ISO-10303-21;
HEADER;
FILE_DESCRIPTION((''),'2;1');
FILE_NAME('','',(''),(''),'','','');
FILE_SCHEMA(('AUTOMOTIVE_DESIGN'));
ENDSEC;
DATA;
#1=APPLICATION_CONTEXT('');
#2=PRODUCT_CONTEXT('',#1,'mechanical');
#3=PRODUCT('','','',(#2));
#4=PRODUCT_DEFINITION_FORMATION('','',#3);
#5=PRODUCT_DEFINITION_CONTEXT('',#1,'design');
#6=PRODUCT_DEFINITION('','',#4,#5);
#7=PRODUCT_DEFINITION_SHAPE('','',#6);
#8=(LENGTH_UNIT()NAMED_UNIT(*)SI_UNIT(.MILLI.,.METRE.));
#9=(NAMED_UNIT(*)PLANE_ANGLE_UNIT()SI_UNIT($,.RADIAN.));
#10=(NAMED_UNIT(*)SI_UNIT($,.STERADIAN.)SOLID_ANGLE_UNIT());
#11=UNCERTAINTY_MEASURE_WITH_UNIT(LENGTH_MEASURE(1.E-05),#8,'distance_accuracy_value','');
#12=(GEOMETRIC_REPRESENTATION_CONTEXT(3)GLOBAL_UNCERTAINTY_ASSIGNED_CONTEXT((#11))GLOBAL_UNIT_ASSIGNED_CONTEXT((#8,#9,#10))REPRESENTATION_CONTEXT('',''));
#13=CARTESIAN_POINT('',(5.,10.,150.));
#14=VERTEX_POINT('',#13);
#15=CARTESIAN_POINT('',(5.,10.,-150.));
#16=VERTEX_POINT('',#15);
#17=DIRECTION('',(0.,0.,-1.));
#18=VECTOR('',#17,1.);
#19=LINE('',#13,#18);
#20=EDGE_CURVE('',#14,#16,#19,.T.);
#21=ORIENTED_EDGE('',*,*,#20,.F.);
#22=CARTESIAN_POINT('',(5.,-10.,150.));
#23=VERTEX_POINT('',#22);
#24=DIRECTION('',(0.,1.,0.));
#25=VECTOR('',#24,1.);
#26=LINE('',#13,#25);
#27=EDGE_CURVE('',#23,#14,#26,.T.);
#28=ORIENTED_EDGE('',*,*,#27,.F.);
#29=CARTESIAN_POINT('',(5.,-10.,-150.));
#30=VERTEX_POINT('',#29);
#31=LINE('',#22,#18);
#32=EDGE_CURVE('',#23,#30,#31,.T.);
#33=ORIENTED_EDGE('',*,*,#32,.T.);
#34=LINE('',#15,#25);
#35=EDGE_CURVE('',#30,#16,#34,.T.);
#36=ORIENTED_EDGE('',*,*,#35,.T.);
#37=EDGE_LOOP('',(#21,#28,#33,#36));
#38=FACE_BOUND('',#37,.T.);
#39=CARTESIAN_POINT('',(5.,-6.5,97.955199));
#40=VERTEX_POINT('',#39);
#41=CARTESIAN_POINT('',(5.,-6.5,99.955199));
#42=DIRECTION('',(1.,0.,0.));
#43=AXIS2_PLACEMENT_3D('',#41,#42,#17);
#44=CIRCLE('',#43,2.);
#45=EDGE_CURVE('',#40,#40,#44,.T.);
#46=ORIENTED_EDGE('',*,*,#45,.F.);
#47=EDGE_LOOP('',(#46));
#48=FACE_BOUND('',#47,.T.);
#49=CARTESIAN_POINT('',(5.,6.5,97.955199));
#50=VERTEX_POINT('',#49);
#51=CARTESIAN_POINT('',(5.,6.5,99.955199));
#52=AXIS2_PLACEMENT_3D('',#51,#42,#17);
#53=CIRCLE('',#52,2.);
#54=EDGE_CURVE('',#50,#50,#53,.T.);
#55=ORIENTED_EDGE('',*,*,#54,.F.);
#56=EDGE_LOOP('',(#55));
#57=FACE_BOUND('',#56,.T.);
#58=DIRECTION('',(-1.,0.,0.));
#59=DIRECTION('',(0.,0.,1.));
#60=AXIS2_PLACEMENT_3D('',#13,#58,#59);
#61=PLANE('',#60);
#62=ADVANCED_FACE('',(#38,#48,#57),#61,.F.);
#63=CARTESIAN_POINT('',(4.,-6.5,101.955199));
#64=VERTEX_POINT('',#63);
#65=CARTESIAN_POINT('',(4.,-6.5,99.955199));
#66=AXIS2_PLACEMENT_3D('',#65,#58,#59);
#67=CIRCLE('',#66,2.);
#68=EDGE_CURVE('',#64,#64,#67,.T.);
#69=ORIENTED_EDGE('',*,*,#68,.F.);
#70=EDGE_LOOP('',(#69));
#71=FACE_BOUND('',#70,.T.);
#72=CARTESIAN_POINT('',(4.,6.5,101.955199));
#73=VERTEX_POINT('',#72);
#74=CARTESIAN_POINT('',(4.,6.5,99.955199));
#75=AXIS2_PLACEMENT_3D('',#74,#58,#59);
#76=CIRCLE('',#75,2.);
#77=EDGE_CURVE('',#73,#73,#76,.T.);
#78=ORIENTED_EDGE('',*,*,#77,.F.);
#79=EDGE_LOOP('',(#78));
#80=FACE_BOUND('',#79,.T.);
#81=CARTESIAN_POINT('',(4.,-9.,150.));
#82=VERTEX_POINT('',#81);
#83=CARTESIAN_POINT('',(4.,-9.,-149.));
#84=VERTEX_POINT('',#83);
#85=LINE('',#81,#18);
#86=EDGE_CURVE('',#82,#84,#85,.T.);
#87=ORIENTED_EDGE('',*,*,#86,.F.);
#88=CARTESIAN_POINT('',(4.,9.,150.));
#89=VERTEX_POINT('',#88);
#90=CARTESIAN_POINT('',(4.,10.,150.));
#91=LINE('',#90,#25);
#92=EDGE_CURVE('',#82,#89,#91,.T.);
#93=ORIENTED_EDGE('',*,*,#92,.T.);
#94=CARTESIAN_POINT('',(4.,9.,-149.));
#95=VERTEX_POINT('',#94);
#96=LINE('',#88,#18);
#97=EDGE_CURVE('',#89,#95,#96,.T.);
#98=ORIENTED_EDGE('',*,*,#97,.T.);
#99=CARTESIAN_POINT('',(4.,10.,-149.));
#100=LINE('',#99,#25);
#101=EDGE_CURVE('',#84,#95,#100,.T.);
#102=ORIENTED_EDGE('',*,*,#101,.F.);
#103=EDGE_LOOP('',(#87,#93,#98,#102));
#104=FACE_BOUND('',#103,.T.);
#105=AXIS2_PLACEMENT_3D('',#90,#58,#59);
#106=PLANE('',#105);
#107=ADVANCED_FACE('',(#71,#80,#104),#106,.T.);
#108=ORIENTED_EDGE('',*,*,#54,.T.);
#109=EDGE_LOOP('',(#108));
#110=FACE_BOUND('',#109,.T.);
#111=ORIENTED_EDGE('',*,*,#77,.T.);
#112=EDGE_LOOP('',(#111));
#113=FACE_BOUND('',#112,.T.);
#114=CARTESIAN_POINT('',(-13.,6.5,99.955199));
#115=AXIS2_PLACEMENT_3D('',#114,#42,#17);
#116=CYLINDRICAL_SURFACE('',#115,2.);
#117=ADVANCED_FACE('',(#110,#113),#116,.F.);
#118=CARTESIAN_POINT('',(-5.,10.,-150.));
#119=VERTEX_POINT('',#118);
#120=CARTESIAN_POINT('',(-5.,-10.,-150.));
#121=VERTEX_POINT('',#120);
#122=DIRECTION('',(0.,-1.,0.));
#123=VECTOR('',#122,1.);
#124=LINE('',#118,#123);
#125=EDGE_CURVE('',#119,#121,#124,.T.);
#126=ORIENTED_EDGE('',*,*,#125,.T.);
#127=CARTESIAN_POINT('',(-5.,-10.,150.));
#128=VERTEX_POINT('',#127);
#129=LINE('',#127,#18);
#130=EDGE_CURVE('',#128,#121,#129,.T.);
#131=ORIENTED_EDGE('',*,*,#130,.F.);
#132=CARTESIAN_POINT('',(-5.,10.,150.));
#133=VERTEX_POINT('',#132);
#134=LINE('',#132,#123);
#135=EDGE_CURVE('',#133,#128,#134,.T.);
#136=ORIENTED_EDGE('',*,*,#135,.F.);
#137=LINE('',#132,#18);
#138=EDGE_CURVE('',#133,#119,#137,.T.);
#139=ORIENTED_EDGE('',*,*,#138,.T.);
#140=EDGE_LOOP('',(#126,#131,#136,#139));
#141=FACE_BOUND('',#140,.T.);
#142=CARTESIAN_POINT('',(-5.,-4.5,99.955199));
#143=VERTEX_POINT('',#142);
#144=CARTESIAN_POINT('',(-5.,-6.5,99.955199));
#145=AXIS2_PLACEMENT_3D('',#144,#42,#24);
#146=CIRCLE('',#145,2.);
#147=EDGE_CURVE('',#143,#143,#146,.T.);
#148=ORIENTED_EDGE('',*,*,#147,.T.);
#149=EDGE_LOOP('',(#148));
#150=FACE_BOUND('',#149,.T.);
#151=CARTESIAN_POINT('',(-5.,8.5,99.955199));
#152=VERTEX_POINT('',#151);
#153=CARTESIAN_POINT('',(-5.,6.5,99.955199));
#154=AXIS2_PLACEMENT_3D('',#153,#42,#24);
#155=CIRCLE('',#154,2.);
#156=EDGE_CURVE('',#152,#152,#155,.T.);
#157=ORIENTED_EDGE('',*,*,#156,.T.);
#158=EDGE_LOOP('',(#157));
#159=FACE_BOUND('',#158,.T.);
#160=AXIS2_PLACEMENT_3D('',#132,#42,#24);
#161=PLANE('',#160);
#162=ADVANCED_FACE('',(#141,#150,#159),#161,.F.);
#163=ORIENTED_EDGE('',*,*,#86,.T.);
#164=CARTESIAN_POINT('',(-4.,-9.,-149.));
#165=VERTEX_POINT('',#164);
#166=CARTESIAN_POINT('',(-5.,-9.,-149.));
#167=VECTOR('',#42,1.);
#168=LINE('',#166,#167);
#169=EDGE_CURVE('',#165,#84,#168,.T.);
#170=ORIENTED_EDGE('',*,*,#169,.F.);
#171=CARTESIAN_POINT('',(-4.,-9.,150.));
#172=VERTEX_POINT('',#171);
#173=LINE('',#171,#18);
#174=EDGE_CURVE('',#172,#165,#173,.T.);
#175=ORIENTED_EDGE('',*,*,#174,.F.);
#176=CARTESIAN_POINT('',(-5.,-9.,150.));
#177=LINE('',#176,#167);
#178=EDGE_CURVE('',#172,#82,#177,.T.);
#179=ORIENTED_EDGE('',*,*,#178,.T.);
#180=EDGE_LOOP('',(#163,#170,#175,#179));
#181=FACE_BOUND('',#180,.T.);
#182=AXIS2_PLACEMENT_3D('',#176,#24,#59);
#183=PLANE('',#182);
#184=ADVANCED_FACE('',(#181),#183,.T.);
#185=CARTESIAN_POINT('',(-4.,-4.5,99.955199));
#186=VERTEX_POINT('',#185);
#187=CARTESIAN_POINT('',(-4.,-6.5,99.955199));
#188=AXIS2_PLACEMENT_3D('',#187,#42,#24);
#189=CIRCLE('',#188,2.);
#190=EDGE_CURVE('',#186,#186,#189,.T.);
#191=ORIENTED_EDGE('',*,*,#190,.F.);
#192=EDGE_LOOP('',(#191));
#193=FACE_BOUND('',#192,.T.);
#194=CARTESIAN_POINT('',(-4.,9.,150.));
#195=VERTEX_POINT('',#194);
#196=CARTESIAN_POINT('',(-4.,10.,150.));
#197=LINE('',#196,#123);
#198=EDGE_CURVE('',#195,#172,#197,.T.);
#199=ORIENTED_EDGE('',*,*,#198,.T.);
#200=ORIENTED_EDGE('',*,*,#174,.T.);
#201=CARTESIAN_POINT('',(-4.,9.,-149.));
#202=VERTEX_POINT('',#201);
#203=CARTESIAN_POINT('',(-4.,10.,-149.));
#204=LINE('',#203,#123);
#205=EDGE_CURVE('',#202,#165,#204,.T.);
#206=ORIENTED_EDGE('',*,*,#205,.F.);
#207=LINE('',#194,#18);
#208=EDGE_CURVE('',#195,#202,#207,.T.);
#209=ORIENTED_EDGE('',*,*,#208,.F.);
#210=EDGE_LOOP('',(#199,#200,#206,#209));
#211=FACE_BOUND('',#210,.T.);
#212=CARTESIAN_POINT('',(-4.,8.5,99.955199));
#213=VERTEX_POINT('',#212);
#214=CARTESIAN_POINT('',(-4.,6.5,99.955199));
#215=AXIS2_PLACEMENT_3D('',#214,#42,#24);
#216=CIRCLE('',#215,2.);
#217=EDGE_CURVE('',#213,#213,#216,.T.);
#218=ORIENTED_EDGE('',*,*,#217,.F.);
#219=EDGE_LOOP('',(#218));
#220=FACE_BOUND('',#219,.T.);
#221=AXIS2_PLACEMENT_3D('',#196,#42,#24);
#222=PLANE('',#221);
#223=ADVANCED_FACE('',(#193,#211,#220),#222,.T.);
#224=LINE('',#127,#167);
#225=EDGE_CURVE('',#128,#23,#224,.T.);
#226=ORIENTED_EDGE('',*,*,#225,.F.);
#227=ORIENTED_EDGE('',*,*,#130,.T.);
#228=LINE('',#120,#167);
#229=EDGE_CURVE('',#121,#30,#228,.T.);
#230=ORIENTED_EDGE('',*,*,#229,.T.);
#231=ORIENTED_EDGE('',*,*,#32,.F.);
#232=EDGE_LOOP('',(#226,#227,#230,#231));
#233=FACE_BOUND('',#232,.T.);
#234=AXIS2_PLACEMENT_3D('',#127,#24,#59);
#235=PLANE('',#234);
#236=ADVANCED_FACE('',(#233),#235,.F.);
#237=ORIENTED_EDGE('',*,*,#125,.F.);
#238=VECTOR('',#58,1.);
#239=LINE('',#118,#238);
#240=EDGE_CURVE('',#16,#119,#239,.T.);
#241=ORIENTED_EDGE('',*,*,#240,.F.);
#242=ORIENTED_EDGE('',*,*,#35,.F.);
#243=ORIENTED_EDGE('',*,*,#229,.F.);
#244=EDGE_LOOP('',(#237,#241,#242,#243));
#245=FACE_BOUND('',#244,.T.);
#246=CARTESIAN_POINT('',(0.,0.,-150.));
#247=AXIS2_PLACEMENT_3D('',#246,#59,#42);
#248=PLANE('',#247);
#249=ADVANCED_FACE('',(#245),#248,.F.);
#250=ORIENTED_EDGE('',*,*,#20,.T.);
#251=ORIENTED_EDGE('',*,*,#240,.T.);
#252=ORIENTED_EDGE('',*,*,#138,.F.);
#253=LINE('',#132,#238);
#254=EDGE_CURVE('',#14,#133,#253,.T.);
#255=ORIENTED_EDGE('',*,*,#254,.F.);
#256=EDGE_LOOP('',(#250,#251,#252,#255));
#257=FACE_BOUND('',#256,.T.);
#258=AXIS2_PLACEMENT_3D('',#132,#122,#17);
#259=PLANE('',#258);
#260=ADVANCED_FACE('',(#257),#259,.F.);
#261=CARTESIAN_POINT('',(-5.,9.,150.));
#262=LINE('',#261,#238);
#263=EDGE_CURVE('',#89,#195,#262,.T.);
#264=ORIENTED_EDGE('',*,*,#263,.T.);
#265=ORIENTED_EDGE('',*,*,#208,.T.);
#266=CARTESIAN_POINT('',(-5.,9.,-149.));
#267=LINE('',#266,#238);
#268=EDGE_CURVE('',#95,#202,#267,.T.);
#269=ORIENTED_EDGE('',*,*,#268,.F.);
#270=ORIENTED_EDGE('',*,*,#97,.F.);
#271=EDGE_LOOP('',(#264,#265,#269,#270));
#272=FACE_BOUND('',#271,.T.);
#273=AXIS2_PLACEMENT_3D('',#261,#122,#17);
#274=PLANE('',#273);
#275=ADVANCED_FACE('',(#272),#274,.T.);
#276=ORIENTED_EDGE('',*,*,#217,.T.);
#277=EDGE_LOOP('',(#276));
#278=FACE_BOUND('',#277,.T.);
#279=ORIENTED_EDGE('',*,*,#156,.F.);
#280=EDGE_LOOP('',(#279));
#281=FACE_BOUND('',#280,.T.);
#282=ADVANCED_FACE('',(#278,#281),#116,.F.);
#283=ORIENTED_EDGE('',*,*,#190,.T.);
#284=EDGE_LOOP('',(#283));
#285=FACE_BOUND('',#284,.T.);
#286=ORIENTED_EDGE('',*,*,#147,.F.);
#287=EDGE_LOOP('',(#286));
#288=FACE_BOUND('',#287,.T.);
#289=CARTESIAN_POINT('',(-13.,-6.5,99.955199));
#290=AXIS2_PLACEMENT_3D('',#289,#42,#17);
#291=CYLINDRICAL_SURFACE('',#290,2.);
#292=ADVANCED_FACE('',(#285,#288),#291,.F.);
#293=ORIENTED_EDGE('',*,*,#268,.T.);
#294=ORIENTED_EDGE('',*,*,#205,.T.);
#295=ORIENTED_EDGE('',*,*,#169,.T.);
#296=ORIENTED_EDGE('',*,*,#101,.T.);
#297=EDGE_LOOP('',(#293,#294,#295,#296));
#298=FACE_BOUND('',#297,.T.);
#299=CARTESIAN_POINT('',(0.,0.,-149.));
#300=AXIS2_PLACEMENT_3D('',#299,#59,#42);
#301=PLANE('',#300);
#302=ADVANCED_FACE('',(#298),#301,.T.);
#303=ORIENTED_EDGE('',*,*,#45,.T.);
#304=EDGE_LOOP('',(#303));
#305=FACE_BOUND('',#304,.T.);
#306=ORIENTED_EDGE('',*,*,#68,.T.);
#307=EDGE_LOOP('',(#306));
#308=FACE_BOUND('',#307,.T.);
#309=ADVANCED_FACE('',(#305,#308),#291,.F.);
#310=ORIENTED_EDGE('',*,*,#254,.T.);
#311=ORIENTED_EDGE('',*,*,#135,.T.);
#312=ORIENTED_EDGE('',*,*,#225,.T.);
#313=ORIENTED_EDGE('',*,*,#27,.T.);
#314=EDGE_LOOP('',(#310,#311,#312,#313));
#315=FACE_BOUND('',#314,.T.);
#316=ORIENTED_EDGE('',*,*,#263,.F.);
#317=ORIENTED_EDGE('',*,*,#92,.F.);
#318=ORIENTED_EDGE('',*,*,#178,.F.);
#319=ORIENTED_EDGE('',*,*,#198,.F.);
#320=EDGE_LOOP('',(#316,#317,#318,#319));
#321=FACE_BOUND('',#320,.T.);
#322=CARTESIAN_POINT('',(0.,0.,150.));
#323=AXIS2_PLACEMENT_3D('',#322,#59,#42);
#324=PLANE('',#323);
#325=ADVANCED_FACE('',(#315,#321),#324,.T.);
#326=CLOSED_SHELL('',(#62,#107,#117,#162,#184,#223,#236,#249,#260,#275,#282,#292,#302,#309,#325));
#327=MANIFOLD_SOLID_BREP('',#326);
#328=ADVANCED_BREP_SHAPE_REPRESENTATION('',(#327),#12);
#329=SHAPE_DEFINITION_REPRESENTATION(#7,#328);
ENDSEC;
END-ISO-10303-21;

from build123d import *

# Parameters (mm, degrees)
IZIM1_W                     = 10
IZIM1_H                     = 20
Y_KSEKLIK_EKSTR_ZYON1_DEPTH = 150
BO_ALTMA1_T                 = -1
IZIM4_R                     = 2
KES_EKSTR_ZYON3_DEPTH       = 18


with BuildPart() as part:
    # Çizim1 → Yükseklik-Ekstrüzyon1 (new, symmetric)
    with BuildSketch(Plane.XY):
        Rectangle(IZIM1_W, IZIM1_H)
    extrude(amount=Y_KSEKLIK_EKSTR_ZYON1_DEPTH, both=True)

    # İç Boşaltma1
    bo_altma1_openings = [part.faces().sort_by_distance(p)[0] for p in [
        (0, 0, 150),
    ]]
    offset(amount=BO_ALTMA1_T, openings=bo_altma1_openings, kind=Kind.INTERSECTION)

    # Çizim4 → Kes-Ekstrüzyon3 (cut)
    with BuildSketch(Plane(origin=(5, 0, 0), x_dir=(0, 0, -1), z_dir=(1, 0, 0))):
        with Locations(Location((-99.95519869, 6.5, 0), (0, 0, 90))):
            Circle(IZIM4_R)
        with Locations(Location((-99.95519869, -6.5, 0), (0, 0, 90))):
            Circle(IZIM4_R)
    extrude(amount=-KES_EKSTR_ZYON3_DEPTH, mode=Mode.SUBTRACT)


solid = part.part
